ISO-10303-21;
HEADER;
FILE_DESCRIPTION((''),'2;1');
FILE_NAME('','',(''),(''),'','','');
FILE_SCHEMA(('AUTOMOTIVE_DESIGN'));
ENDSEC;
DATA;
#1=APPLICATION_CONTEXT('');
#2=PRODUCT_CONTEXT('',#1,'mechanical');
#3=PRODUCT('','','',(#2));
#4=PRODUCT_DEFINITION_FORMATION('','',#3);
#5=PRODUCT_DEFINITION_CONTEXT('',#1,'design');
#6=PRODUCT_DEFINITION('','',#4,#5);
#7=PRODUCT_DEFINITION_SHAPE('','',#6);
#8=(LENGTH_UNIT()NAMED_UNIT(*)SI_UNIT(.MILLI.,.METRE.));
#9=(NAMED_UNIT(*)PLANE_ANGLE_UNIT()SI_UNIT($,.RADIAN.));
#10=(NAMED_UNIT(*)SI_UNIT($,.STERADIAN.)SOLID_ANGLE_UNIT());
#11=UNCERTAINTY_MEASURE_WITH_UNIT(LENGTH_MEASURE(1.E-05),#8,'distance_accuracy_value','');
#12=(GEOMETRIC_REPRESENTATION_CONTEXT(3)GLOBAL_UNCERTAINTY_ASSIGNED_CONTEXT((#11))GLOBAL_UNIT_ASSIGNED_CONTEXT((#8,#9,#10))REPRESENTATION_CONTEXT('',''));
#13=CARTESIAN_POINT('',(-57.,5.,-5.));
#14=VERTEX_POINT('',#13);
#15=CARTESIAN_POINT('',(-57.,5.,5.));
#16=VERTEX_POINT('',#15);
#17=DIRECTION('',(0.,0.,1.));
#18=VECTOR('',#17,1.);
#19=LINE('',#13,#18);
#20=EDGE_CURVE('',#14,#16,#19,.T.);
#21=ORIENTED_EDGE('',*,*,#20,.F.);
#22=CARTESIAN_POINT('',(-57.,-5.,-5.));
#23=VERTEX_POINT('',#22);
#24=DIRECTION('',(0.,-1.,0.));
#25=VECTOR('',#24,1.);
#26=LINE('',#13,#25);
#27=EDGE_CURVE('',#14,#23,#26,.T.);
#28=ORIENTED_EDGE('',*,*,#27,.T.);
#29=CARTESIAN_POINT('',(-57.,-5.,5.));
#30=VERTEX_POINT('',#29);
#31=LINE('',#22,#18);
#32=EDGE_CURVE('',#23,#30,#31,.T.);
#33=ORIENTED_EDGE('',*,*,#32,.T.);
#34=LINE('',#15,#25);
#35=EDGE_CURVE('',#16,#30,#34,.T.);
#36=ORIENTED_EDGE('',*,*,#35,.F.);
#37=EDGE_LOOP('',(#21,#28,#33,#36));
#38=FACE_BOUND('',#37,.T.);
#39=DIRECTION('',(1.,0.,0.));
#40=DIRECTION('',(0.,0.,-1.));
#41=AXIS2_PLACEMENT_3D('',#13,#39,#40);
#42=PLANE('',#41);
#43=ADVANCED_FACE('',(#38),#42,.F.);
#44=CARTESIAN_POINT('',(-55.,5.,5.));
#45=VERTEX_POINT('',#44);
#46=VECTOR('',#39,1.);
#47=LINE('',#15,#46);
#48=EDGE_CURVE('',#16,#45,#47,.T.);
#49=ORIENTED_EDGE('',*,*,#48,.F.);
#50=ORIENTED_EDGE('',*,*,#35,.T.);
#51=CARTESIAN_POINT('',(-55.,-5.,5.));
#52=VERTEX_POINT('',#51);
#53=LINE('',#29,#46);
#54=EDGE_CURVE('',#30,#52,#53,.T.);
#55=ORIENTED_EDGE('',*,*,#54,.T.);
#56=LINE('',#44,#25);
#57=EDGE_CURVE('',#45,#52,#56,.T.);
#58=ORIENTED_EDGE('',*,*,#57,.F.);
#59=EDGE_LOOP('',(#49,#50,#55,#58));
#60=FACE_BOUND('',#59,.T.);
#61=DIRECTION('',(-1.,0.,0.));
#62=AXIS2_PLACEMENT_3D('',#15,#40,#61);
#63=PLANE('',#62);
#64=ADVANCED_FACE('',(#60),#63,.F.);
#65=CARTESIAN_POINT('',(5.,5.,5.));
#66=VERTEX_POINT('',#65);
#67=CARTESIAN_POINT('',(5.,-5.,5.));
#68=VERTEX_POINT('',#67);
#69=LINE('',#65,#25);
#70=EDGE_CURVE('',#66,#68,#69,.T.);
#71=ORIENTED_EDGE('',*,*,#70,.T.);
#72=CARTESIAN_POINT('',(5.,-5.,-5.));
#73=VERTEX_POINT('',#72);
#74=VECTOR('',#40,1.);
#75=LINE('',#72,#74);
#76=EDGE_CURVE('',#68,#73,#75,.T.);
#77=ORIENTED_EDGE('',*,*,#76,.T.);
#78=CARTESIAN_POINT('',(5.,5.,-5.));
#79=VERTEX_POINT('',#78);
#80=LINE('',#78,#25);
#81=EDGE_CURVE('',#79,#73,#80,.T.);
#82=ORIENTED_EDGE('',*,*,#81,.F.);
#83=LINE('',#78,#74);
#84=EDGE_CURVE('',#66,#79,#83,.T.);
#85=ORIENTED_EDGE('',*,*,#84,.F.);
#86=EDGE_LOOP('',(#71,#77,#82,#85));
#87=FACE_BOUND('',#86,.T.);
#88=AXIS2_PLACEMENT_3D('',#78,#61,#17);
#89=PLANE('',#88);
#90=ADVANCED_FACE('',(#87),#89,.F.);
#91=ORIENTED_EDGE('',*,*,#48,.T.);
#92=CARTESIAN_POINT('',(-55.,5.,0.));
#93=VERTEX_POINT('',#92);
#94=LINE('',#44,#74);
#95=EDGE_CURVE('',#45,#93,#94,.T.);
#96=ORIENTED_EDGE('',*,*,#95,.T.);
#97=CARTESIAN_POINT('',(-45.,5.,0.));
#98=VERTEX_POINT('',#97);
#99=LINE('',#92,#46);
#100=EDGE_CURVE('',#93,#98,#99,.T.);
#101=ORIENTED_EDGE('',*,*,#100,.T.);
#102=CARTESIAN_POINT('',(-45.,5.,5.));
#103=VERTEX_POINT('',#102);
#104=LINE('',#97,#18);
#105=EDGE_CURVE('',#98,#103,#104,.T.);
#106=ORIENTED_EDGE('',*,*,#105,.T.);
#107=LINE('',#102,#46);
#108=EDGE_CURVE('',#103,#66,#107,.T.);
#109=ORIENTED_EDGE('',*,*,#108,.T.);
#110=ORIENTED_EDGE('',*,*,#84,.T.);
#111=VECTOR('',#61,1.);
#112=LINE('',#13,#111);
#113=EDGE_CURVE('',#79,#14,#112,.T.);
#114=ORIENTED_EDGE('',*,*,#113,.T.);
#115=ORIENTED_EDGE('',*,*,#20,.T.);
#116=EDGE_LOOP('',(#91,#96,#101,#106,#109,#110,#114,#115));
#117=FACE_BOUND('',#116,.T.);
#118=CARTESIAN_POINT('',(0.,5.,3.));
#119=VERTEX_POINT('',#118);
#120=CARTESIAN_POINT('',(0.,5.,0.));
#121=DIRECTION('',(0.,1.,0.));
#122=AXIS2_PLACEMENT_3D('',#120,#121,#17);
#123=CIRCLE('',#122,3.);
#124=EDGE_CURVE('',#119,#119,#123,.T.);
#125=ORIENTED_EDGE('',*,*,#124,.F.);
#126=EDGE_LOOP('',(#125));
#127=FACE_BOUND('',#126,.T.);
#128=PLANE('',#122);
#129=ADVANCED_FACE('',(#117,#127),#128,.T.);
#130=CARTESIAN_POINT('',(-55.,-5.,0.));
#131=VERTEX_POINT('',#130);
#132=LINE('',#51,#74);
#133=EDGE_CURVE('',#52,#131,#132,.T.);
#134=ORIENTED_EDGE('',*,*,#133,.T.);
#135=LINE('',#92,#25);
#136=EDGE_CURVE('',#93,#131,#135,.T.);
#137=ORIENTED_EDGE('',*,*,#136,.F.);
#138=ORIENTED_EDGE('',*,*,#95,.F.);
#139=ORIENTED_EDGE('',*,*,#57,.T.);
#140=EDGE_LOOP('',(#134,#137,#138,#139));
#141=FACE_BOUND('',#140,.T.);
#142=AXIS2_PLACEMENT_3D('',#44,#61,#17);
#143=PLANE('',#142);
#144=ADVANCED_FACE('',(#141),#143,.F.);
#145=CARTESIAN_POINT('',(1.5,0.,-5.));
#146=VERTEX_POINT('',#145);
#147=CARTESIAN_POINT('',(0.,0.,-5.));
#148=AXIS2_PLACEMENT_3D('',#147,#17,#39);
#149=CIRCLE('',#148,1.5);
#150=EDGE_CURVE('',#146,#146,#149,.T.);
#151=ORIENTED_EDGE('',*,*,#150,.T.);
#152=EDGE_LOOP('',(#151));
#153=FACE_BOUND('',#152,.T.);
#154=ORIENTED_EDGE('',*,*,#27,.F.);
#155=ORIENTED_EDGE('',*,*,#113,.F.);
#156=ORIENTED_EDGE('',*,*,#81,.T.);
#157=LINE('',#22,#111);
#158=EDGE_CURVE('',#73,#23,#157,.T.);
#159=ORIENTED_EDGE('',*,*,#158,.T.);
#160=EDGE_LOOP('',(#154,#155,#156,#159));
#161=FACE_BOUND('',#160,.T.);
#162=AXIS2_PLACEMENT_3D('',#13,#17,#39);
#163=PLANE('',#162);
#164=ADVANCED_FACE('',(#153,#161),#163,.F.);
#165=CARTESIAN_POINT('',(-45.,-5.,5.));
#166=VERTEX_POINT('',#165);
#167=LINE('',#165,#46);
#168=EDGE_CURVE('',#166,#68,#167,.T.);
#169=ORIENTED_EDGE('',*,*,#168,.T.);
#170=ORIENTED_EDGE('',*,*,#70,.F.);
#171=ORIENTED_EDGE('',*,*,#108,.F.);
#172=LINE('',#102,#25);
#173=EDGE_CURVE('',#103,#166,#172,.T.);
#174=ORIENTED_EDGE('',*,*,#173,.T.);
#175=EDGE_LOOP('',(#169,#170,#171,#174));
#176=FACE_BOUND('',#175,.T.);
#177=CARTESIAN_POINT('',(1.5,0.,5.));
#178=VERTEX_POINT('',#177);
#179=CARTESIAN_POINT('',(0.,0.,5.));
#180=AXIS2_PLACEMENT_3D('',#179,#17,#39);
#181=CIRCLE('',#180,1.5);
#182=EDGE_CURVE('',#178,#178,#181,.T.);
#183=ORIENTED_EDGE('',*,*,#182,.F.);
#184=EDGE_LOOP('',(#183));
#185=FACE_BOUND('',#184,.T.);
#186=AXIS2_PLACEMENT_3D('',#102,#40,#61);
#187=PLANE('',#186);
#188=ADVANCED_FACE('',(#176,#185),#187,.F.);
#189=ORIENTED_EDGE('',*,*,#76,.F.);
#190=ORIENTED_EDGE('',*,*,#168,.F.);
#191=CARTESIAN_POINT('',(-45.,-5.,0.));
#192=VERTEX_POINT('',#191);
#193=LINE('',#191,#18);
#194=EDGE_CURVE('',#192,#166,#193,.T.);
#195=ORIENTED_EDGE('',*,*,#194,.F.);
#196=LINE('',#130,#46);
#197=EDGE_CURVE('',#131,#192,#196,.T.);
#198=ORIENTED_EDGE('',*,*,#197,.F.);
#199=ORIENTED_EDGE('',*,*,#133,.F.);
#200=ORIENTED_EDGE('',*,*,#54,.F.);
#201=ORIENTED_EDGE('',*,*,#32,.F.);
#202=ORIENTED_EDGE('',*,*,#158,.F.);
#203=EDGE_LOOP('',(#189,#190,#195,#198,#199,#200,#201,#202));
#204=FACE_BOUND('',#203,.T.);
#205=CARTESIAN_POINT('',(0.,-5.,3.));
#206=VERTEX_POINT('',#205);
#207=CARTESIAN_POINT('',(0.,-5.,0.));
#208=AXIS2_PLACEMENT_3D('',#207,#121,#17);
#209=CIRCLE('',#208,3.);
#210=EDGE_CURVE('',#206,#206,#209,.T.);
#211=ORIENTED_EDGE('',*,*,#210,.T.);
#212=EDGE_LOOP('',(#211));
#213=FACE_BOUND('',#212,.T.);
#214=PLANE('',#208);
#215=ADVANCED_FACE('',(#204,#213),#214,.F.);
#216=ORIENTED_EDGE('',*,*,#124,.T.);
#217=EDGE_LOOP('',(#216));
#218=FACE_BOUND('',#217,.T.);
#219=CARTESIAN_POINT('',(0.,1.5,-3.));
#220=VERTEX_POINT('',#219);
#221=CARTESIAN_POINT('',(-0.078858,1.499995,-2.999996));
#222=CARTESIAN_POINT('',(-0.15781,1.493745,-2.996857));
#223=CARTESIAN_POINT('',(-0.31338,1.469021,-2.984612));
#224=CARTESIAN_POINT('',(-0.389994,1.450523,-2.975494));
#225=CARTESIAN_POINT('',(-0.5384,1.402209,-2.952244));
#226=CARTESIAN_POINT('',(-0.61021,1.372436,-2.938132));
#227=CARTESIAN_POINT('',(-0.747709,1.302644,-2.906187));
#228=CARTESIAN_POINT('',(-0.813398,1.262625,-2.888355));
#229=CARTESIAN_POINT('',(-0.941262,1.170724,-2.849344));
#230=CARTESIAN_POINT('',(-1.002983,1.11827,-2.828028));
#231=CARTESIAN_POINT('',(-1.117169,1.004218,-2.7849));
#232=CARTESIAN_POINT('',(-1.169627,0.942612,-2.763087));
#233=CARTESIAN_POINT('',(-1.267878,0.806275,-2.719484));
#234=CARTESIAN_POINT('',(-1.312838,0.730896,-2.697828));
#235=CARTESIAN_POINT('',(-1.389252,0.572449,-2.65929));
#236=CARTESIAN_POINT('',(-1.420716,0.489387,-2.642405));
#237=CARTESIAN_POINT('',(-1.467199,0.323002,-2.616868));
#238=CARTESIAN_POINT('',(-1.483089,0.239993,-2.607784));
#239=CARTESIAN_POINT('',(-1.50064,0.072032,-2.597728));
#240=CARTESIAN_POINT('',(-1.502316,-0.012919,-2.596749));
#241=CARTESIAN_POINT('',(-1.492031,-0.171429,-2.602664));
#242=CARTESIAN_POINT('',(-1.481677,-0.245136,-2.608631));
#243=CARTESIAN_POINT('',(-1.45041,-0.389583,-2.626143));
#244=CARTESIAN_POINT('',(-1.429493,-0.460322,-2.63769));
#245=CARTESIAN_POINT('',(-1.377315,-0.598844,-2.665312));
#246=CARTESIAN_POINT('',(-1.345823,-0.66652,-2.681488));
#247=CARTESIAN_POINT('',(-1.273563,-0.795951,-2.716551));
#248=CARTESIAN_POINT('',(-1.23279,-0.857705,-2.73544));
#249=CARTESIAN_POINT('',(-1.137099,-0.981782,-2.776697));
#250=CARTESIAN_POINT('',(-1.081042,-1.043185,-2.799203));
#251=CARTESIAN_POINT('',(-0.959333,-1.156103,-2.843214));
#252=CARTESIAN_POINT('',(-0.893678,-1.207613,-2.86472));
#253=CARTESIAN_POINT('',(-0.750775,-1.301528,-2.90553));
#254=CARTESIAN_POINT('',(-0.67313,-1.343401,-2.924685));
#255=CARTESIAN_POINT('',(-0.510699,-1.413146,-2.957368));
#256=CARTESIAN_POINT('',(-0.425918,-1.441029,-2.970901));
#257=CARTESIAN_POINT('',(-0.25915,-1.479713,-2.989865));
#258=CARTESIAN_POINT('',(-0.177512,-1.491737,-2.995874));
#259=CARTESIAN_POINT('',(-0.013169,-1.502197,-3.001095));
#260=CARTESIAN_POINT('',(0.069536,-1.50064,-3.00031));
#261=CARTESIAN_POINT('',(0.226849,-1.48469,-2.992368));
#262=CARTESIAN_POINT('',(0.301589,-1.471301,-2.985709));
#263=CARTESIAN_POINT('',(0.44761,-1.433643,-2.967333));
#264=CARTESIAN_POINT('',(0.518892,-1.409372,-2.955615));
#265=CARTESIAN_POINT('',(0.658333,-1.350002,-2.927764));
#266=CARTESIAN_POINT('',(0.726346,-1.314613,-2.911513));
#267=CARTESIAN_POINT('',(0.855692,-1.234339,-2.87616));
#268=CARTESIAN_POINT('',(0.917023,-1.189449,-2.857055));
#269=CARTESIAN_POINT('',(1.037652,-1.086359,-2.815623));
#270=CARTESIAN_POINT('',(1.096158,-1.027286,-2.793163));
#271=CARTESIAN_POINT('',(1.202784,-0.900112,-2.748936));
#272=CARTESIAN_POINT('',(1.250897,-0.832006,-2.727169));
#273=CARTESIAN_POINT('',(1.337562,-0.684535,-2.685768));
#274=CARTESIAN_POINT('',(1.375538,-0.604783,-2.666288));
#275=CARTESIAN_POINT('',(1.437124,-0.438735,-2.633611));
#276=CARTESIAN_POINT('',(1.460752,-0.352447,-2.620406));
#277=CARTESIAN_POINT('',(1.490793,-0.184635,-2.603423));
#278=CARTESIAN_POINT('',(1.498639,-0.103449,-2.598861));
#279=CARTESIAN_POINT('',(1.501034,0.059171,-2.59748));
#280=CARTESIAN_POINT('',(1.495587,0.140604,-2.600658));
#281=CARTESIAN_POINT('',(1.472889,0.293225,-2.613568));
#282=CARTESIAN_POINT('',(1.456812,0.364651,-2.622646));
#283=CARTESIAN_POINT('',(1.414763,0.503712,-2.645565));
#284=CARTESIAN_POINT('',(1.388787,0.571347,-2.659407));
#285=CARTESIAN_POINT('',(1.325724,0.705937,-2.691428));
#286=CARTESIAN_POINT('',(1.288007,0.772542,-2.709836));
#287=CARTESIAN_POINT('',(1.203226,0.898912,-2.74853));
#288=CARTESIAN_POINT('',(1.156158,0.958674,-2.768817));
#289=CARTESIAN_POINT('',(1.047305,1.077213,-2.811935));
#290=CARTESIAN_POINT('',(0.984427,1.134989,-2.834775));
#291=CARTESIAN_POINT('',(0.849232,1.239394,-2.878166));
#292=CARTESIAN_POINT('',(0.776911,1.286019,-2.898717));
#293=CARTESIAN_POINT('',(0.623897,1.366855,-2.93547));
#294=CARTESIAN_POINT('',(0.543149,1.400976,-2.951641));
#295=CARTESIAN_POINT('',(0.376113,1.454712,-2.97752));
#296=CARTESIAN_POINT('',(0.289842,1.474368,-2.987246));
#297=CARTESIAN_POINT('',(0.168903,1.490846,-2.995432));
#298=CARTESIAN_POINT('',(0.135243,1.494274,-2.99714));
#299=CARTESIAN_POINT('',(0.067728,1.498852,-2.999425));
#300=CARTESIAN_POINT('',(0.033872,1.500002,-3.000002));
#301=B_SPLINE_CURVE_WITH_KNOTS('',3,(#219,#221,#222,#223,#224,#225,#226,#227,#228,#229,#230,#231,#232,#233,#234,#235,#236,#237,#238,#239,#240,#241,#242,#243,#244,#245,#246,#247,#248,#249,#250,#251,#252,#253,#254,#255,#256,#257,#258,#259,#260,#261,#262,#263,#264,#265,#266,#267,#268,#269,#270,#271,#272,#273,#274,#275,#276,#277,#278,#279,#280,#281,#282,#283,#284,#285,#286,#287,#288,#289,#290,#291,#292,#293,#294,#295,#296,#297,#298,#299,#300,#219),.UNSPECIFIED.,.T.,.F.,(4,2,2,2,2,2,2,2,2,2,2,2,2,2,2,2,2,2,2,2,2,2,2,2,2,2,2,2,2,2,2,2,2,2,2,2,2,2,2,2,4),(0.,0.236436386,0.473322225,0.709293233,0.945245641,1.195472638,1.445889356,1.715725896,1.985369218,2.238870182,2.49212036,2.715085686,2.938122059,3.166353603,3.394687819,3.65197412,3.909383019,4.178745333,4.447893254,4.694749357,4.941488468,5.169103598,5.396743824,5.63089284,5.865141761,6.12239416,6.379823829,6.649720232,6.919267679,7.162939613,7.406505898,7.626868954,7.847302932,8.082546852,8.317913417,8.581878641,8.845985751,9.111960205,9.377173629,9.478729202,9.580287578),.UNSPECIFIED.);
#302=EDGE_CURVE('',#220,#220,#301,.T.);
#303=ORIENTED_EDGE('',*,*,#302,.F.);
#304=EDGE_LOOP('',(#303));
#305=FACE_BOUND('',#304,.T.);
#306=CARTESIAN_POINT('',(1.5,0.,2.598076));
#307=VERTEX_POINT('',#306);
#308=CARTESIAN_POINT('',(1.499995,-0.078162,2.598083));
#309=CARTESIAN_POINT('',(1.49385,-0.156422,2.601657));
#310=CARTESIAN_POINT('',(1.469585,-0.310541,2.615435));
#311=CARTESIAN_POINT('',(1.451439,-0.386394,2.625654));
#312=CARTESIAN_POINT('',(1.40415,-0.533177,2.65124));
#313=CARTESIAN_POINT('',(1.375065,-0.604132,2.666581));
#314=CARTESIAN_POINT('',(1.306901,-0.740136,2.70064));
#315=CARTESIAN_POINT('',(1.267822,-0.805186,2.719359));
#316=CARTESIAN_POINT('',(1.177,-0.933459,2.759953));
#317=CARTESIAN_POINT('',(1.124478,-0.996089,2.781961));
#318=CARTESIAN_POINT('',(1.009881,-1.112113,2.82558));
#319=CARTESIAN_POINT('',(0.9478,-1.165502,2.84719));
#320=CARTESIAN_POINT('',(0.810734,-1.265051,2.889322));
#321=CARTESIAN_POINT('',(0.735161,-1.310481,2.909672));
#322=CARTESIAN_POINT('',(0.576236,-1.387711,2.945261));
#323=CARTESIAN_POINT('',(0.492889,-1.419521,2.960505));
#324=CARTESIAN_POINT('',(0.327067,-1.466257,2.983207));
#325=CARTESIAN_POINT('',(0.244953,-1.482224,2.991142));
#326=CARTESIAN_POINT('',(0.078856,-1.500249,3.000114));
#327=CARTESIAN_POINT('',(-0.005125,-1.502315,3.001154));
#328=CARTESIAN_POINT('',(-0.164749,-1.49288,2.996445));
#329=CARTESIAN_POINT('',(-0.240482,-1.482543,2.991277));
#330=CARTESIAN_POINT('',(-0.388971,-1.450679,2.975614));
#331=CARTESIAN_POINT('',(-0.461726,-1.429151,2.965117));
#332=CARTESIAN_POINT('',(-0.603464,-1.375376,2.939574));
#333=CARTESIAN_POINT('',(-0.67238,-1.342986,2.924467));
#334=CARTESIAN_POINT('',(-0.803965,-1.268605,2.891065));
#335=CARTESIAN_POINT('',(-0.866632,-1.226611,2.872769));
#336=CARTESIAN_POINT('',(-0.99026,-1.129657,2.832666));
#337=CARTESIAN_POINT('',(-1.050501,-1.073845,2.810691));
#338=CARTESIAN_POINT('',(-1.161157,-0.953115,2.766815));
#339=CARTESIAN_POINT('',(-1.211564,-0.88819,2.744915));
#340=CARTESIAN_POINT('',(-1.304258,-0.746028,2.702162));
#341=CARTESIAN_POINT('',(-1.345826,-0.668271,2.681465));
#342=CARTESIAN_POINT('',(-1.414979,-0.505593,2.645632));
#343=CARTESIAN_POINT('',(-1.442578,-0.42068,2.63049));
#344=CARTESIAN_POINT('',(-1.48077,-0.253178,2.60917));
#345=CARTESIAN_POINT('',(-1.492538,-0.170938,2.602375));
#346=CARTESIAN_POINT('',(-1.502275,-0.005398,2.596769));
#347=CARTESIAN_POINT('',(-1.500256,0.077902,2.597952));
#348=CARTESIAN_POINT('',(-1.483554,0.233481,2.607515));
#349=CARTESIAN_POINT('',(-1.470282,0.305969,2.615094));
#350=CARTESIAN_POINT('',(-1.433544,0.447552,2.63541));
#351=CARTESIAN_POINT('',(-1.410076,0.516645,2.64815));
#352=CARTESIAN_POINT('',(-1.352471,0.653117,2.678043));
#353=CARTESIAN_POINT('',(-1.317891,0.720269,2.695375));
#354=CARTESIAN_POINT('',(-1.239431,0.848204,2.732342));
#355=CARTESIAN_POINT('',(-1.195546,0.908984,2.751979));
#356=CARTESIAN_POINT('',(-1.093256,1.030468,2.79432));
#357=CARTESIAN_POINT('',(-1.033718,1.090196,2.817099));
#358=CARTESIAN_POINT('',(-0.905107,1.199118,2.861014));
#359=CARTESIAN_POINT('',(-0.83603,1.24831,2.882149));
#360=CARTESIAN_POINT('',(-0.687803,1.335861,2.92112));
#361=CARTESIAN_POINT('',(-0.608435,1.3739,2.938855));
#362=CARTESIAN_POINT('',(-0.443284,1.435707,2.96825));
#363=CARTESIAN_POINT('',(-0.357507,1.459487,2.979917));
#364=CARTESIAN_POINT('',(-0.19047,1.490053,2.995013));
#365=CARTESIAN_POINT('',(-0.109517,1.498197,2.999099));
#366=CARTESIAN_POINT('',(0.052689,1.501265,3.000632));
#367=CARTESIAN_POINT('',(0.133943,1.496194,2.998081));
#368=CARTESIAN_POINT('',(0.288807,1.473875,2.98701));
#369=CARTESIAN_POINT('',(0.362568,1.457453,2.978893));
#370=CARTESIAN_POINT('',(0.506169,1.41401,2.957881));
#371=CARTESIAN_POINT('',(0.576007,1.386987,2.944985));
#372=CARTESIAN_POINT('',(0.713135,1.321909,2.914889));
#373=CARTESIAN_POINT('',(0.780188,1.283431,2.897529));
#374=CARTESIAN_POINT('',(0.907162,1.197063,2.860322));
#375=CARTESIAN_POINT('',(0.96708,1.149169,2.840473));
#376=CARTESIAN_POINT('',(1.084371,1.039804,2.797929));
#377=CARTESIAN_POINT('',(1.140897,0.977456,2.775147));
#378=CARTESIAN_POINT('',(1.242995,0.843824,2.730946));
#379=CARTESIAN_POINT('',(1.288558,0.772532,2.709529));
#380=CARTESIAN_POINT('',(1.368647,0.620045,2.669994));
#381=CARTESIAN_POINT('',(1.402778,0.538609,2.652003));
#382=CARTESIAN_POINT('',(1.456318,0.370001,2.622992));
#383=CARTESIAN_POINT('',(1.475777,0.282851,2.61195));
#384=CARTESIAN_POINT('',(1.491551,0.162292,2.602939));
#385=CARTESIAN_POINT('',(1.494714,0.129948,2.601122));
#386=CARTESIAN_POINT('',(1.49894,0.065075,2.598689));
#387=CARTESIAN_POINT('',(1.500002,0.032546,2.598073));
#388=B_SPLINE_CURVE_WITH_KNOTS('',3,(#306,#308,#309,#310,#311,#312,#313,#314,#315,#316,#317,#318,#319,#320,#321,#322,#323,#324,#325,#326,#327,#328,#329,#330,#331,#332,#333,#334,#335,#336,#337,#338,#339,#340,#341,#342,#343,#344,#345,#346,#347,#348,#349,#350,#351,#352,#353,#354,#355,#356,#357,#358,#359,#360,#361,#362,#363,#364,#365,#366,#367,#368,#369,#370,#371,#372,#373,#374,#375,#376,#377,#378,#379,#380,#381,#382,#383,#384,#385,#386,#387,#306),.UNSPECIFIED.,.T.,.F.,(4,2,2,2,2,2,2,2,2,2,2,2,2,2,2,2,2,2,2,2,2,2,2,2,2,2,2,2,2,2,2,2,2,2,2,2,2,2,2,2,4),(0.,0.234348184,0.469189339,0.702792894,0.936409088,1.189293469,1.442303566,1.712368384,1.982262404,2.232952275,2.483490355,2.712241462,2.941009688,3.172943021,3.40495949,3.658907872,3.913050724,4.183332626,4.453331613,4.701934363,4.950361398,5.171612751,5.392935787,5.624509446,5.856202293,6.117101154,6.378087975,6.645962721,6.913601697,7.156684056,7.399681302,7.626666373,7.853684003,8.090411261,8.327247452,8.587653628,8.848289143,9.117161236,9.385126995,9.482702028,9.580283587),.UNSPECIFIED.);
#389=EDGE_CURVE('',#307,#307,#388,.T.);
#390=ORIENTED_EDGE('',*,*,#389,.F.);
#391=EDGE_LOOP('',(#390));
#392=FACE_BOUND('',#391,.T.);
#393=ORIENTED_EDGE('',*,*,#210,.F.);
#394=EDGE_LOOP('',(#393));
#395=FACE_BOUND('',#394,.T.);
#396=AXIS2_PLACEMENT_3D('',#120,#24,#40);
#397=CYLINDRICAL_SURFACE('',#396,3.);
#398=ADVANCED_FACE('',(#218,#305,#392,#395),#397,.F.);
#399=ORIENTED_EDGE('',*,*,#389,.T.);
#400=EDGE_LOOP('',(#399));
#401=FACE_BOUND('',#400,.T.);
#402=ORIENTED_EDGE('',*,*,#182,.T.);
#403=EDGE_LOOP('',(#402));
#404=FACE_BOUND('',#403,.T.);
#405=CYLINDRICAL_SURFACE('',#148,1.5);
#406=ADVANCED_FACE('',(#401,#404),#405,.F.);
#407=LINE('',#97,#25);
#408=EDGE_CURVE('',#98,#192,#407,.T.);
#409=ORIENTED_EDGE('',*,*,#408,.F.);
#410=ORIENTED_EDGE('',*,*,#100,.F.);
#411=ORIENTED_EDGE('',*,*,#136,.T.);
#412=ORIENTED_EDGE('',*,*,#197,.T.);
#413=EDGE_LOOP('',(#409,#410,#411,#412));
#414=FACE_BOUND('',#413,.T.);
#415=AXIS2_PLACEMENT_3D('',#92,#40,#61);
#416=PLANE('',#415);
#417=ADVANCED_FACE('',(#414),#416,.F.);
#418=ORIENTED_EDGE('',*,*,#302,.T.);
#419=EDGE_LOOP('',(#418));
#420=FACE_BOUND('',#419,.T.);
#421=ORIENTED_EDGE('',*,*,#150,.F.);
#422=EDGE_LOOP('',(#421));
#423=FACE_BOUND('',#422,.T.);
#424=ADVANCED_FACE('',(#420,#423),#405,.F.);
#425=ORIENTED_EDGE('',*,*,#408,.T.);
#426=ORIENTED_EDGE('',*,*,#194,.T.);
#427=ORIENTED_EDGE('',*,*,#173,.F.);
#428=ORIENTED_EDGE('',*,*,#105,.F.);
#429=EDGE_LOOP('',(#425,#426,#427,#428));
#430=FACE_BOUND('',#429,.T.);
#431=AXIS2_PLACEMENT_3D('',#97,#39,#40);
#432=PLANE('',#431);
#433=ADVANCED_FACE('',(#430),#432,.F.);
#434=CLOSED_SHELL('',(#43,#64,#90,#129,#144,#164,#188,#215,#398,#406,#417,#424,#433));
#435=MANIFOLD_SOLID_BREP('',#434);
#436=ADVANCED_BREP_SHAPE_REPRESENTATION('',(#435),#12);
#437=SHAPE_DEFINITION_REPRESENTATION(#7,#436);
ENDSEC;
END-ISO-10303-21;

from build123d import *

# Parameters (mm, degrees)
SKETCH_1_R          = 3
EXTRUDE_1_DEPTH     = 5
SKETCH_3_R          = 1.5
CUT_EXTRUDE_1_DEPTH = 11


with BuildPart() as part:
    # 草圖1 → 填料-伸長1 (new body, symmetric)
    with BuildSketch(Plane(origin=(0, 0, 0), x_dir=(1, 0, 0), z_dir=(0, 1, 0))):
        Polygon((-55, -5), (-55, 0), (-45, 0), (-45, -5), (5, -5), (5, 5), (-57, 5), (-57, -5), align=None)
        Circle(SKETCH_1_R, mode=Mode.SUBTRACT)
    extrude(amount=EXTRUDE_1_DEPTH, both=True)

    # 草圖3 → 除料-伸長1 (cut, through all)
    with BuildSketch(Plane.XY.offset(5)):
        Circle(SKETCH_3_R)
    extrude(amount=-CUT_EXTRUDE_1_DEPTH, mode=Mode.SUBTRACT)


solid = part.part
